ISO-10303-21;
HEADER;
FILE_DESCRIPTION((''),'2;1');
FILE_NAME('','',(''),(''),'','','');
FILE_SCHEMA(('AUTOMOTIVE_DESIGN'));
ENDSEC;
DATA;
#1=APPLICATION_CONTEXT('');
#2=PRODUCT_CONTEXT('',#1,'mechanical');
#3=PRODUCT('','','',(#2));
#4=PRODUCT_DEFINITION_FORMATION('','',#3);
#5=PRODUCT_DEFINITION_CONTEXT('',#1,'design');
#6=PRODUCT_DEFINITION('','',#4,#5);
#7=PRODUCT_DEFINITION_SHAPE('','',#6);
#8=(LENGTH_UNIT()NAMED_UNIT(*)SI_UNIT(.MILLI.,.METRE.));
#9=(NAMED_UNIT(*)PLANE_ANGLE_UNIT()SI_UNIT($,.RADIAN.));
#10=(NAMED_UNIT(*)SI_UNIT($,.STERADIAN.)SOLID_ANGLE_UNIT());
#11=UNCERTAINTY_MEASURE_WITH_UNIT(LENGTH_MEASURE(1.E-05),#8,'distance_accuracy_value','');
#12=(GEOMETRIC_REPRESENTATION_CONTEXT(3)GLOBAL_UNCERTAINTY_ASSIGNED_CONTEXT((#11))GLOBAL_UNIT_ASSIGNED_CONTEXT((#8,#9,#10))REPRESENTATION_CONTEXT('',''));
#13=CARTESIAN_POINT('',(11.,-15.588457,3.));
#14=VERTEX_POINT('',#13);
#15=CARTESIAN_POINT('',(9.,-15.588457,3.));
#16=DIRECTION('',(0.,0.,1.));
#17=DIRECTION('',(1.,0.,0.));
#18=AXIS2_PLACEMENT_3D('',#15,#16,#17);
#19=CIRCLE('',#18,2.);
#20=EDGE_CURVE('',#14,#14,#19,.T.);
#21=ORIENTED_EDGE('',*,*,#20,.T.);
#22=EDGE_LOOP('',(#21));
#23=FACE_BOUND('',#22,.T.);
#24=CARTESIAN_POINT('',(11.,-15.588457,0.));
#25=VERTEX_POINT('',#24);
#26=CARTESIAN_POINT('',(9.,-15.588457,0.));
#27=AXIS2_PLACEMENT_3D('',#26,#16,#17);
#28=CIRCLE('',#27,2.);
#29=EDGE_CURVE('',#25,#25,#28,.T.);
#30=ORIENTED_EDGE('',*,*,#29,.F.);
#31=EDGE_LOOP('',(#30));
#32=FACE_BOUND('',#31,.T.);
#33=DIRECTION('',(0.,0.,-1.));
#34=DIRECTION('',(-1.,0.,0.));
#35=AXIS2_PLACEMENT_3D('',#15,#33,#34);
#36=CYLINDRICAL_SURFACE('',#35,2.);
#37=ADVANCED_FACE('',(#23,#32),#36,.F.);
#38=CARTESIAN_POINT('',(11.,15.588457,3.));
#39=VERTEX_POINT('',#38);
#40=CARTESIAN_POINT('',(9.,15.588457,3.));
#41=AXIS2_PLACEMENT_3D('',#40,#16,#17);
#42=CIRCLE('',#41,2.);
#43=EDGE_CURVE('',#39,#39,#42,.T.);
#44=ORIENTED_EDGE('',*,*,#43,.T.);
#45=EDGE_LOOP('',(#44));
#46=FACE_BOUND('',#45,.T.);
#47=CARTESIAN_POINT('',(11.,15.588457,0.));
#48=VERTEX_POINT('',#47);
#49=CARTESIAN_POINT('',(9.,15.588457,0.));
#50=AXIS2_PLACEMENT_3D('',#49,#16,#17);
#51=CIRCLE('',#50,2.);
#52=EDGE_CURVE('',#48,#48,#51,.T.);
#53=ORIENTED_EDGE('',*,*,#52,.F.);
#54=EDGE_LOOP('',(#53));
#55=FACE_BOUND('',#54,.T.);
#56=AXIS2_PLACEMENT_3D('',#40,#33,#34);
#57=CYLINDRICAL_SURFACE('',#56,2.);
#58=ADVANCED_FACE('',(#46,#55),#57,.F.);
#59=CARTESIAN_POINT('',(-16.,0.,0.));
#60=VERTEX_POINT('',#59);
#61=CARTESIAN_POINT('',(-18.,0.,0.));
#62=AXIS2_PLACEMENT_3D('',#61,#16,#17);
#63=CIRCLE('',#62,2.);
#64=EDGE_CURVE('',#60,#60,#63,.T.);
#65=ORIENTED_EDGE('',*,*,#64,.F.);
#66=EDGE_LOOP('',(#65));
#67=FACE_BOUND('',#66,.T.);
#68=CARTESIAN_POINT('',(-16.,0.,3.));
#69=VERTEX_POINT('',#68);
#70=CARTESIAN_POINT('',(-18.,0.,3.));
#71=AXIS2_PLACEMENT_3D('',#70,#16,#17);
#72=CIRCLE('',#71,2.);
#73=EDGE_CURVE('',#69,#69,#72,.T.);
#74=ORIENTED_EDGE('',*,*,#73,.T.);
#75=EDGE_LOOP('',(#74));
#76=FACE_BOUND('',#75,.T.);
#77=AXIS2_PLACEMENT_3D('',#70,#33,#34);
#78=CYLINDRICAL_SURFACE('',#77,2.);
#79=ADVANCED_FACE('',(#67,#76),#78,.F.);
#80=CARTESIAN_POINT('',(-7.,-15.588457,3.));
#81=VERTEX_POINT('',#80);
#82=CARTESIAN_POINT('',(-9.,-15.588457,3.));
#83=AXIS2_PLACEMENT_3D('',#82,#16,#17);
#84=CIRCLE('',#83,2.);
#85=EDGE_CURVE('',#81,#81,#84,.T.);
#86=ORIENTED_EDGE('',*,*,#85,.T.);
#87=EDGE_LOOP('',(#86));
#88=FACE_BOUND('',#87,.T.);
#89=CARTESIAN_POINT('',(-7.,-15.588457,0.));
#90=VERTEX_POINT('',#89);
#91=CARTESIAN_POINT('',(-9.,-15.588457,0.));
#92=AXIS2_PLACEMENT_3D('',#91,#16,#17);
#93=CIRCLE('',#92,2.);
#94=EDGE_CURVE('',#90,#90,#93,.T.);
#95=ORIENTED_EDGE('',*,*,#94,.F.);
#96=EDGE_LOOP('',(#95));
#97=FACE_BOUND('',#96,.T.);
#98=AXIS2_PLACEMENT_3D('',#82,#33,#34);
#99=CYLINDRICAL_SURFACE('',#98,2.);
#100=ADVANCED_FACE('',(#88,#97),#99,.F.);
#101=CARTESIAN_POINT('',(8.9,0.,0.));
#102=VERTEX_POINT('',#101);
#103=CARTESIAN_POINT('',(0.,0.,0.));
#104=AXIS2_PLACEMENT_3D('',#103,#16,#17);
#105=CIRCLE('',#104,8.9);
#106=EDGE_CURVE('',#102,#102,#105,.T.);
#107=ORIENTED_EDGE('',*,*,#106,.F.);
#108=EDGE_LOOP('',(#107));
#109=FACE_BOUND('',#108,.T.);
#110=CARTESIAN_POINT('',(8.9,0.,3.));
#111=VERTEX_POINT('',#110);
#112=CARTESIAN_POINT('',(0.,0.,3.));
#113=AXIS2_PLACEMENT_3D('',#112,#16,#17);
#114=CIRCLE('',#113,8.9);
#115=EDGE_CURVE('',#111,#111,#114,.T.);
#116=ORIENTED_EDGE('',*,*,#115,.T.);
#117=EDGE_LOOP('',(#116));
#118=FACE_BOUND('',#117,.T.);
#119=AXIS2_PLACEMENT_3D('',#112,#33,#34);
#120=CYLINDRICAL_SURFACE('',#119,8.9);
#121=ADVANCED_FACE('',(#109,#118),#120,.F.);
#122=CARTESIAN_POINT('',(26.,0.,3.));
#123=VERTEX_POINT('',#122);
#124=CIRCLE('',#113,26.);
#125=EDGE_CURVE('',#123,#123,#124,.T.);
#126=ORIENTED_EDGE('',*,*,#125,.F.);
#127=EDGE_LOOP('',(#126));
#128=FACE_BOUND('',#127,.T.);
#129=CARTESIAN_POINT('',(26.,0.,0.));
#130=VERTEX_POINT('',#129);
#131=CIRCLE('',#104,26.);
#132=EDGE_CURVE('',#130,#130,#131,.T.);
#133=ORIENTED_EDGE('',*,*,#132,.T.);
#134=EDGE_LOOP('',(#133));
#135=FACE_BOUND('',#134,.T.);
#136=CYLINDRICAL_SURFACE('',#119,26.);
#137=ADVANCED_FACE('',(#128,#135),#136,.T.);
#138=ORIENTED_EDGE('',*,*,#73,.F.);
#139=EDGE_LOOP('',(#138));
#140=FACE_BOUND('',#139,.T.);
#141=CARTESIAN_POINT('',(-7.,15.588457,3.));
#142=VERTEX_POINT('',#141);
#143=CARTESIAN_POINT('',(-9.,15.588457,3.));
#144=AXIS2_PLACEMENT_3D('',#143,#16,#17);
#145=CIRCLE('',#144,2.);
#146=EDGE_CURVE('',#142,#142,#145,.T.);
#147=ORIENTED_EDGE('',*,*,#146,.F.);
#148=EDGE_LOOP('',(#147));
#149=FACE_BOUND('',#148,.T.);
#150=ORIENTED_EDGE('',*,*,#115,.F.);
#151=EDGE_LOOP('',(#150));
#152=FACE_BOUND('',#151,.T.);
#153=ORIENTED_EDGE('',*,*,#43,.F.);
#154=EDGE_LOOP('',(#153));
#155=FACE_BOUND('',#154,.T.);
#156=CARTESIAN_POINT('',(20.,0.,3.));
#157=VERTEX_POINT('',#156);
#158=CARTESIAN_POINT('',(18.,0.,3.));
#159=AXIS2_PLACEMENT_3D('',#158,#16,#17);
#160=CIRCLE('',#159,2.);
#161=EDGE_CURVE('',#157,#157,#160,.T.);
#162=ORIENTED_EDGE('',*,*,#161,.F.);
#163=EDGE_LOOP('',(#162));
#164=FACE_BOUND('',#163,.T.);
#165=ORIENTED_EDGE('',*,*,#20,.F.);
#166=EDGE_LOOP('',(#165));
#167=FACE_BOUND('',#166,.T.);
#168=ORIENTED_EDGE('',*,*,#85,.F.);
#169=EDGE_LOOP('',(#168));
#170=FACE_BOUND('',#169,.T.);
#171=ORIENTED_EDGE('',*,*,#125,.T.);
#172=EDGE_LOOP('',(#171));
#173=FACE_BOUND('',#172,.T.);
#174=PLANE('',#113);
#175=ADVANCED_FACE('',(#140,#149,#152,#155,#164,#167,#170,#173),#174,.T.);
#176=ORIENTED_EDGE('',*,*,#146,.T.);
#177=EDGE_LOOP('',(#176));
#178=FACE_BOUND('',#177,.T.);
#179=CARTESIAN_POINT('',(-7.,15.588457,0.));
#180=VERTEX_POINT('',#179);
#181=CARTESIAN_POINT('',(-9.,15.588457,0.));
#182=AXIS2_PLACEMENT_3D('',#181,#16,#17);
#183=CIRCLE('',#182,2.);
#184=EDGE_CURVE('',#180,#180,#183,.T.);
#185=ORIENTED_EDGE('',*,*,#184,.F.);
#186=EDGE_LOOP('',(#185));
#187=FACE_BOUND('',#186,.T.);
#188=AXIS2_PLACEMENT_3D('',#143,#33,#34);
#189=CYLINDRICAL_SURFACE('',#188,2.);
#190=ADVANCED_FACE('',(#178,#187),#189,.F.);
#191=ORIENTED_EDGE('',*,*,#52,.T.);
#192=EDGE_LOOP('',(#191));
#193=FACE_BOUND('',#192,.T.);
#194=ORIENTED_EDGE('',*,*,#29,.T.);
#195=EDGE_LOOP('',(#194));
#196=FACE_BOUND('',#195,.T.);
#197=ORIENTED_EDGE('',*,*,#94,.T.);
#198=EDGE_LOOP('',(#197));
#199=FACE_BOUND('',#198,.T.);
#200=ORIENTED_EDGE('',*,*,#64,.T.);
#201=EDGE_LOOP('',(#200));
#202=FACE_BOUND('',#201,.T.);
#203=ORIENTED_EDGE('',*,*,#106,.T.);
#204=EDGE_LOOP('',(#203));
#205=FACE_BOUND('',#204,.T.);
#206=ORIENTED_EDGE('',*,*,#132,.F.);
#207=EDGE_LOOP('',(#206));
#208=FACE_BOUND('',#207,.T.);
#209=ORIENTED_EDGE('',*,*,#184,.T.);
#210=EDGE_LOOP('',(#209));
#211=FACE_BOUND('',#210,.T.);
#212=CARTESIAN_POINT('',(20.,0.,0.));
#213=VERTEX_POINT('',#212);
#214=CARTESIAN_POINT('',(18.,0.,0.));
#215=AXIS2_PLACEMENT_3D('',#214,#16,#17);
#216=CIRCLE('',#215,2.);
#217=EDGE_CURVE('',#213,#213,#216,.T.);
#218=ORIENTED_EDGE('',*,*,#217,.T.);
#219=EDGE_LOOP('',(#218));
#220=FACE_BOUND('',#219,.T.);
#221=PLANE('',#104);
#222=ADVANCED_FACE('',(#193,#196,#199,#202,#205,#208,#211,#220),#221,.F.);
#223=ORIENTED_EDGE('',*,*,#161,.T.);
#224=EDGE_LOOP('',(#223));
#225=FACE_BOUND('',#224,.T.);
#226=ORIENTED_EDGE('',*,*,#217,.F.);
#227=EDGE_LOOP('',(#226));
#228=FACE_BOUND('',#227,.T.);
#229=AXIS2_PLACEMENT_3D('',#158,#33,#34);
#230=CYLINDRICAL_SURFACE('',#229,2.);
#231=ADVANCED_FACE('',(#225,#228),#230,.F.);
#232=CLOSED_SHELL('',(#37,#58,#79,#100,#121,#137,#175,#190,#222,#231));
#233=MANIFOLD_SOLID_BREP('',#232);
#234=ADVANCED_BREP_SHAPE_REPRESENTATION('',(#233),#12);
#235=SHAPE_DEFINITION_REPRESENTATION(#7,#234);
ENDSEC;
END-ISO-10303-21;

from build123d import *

# Parameters (mm, degrees)
CROQUIS1_R              = 26
CROQUIS1_R_2            = 2
CROQUIS1_R_3            = 8.9
SALIENTE_EXTRUIR1_DEPTH = 3


with BuildPart() as part:
    # Croquis1 → Saliente-Extruir1 (new body)
    with BuildSketch(Plane.XY):
        Circle(CROQUIS1_R)
        with Locations((-18, 0)):
            Circle(CROQUIS1_R_2, mode=Mode.SUBTRACT)
        with Locations((-9, 15.588457268)):
            Circle(CROQUIS1_R_2, mode=Mode.SUBTRACT)
        with Locations((9, 15.588457268)):
            Circle(CROQUIS1_R_2, mode=Mode.SUBTRACT)
        with Locations((18, 0)):
            Circle(CROQUIS1_R_2, mode=Mode.SUBTRACT)
        with Locations((9, -15.588457268)):
            Circle(CROQUIS1_R_2, mode=Mode.SUBTRACT)
        with Locations((-9, -15.588457268)):
            Circle(CROQUIS1_R_2, mode=Mode.SUBTRACT)
        Circle(CROQUIS1_R_3, mode=Mode.SUBTRACT)
    extrude(amount=SALIENTE_EXTRUIR1_DEPTH)


solid = part.part
